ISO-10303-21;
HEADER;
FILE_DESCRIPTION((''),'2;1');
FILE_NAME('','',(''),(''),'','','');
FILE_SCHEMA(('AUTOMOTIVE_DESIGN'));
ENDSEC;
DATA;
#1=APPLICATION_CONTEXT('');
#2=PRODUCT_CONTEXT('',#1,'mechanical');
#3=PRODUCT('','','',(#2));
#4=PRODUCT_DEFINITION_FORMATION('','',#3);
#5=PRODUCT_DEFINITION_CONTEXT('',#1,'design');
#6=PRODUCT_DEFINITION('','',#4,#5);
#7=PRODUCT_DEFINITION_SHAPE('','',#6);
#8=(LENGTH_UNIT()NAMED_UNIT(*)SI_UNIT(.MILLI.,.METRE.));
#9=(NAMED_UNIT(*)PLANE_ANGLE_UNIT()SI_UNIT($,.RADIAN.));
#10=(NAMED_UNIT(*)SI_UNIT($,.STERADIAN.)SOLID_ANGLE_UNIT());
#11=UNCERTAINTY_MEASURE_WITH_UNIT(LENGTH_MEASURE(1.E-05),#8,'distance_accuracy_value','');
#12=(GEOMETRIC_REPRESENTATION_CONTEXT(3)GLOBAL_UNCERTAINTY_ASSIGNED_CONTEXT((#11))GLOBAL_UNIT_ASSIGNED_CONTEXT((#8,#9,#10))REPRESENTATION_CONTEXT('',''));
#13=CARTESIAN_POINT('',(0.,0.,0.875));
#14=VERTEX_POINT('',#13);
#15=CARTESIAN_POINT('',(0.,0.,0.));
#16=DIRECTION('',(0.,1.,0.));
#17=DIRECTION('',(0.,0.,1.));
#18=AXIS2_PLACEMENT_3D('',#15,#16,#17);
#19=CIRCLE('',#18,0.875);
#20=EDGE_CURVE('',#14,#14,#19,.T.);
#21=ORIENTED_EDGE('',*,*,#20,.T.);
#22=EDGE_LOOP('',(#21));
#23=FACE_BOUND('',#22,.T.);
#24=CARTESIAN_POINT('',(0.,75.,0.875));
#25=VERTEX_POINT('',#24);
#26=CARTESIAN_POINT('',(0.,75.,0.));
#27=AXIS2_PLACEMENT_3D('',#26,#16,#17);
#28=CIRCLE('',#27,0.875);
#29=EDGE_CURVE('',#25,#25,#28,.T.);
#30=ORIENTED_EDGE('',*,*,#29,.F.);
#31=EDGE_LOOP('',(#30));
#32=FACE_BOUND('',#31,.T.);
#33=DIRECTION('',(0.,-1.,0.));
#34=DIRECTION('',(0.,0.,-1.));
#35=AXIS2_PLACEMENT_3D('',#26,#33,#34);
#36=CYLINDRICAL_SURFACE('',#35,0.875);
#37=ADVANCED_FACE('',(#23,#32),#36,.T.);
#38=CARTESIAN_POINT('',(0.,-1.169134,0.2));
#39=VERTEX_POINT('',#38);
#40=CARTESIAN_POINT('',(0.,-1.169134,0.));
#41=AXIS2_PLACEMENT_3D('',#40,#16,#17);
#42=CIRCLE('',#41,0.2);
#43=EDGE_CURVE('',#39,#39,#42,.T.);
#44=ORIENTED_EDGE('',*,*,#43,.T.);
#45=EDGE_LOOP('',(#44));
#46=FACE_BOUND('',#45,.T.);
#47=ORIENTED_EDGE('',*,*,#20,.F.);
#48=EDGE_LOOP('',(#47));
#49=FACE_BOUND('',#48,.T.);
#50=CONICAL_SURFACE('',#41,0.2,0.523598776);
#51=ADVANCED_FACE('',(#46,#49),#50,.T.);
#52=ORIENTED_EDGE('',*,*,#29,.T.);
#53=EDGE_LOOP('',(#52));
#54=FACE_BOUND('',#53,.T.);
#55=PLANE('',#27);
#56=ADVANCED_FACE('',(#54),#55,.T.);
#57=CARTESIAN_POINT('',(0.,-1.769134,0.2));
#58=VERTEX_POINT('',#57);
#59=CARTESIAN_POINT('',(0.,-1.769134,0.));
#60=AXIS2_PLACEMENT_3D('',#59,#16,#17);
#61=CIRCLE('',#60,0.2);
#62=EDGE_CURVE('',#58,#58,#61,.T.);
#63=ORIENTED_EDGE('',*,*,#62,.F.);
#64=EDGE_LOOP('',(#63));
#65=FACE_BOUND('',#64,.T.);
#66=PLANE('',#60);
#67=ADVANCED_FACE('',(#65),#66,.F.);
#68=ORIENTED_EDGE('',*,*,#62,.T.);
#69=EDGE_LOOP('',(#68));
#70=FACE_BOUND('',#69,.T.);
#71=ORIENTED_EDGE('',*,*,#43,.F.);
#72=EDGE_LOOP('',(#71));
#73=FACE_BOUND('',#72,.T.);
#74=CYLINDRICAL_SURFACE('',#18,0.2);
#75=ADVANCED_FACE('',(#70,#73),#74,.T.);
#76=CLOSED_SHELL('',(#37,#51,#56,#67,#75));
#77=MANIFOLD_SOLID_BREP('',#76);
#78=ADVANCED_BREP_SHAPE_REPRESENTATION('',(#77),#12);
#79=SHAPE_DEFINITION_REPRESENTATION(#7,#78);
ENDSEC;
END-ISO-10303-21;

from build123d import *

# Parameters (mm, degrees)
SKETCH1_R           = 0.875
BOSS_EXTRUDE1_DEPTH = 75


with BuildPart() as part:
    # Sketch1 → Boss-Extrude1 (new body)
    with BuildSketch(Plane(origin=(0, 0, 0), x_dir=(1, 0, 0), z_dir=(0, 1, 0))):
        Circle(SKETCH1_R)
    extrude(amount=BOSS_EXTRUDE1_DEPTH)

    # Sketch2 → Revolve1 (revolve)
    with BuildSketch(Plane(origin=(0, 0, 0), x_dir=(0, 0, -1), z_dir=(1, 0, 0))):
        Polygon((0, 0), (0, -1.769134295), (0.2, -1.769134295), (0.2, -1.169134295), (0.875, 0), align=None)
    revolve(axis=Axis((0, 0, 0), (0, -1, 0)))


solid = part.part
